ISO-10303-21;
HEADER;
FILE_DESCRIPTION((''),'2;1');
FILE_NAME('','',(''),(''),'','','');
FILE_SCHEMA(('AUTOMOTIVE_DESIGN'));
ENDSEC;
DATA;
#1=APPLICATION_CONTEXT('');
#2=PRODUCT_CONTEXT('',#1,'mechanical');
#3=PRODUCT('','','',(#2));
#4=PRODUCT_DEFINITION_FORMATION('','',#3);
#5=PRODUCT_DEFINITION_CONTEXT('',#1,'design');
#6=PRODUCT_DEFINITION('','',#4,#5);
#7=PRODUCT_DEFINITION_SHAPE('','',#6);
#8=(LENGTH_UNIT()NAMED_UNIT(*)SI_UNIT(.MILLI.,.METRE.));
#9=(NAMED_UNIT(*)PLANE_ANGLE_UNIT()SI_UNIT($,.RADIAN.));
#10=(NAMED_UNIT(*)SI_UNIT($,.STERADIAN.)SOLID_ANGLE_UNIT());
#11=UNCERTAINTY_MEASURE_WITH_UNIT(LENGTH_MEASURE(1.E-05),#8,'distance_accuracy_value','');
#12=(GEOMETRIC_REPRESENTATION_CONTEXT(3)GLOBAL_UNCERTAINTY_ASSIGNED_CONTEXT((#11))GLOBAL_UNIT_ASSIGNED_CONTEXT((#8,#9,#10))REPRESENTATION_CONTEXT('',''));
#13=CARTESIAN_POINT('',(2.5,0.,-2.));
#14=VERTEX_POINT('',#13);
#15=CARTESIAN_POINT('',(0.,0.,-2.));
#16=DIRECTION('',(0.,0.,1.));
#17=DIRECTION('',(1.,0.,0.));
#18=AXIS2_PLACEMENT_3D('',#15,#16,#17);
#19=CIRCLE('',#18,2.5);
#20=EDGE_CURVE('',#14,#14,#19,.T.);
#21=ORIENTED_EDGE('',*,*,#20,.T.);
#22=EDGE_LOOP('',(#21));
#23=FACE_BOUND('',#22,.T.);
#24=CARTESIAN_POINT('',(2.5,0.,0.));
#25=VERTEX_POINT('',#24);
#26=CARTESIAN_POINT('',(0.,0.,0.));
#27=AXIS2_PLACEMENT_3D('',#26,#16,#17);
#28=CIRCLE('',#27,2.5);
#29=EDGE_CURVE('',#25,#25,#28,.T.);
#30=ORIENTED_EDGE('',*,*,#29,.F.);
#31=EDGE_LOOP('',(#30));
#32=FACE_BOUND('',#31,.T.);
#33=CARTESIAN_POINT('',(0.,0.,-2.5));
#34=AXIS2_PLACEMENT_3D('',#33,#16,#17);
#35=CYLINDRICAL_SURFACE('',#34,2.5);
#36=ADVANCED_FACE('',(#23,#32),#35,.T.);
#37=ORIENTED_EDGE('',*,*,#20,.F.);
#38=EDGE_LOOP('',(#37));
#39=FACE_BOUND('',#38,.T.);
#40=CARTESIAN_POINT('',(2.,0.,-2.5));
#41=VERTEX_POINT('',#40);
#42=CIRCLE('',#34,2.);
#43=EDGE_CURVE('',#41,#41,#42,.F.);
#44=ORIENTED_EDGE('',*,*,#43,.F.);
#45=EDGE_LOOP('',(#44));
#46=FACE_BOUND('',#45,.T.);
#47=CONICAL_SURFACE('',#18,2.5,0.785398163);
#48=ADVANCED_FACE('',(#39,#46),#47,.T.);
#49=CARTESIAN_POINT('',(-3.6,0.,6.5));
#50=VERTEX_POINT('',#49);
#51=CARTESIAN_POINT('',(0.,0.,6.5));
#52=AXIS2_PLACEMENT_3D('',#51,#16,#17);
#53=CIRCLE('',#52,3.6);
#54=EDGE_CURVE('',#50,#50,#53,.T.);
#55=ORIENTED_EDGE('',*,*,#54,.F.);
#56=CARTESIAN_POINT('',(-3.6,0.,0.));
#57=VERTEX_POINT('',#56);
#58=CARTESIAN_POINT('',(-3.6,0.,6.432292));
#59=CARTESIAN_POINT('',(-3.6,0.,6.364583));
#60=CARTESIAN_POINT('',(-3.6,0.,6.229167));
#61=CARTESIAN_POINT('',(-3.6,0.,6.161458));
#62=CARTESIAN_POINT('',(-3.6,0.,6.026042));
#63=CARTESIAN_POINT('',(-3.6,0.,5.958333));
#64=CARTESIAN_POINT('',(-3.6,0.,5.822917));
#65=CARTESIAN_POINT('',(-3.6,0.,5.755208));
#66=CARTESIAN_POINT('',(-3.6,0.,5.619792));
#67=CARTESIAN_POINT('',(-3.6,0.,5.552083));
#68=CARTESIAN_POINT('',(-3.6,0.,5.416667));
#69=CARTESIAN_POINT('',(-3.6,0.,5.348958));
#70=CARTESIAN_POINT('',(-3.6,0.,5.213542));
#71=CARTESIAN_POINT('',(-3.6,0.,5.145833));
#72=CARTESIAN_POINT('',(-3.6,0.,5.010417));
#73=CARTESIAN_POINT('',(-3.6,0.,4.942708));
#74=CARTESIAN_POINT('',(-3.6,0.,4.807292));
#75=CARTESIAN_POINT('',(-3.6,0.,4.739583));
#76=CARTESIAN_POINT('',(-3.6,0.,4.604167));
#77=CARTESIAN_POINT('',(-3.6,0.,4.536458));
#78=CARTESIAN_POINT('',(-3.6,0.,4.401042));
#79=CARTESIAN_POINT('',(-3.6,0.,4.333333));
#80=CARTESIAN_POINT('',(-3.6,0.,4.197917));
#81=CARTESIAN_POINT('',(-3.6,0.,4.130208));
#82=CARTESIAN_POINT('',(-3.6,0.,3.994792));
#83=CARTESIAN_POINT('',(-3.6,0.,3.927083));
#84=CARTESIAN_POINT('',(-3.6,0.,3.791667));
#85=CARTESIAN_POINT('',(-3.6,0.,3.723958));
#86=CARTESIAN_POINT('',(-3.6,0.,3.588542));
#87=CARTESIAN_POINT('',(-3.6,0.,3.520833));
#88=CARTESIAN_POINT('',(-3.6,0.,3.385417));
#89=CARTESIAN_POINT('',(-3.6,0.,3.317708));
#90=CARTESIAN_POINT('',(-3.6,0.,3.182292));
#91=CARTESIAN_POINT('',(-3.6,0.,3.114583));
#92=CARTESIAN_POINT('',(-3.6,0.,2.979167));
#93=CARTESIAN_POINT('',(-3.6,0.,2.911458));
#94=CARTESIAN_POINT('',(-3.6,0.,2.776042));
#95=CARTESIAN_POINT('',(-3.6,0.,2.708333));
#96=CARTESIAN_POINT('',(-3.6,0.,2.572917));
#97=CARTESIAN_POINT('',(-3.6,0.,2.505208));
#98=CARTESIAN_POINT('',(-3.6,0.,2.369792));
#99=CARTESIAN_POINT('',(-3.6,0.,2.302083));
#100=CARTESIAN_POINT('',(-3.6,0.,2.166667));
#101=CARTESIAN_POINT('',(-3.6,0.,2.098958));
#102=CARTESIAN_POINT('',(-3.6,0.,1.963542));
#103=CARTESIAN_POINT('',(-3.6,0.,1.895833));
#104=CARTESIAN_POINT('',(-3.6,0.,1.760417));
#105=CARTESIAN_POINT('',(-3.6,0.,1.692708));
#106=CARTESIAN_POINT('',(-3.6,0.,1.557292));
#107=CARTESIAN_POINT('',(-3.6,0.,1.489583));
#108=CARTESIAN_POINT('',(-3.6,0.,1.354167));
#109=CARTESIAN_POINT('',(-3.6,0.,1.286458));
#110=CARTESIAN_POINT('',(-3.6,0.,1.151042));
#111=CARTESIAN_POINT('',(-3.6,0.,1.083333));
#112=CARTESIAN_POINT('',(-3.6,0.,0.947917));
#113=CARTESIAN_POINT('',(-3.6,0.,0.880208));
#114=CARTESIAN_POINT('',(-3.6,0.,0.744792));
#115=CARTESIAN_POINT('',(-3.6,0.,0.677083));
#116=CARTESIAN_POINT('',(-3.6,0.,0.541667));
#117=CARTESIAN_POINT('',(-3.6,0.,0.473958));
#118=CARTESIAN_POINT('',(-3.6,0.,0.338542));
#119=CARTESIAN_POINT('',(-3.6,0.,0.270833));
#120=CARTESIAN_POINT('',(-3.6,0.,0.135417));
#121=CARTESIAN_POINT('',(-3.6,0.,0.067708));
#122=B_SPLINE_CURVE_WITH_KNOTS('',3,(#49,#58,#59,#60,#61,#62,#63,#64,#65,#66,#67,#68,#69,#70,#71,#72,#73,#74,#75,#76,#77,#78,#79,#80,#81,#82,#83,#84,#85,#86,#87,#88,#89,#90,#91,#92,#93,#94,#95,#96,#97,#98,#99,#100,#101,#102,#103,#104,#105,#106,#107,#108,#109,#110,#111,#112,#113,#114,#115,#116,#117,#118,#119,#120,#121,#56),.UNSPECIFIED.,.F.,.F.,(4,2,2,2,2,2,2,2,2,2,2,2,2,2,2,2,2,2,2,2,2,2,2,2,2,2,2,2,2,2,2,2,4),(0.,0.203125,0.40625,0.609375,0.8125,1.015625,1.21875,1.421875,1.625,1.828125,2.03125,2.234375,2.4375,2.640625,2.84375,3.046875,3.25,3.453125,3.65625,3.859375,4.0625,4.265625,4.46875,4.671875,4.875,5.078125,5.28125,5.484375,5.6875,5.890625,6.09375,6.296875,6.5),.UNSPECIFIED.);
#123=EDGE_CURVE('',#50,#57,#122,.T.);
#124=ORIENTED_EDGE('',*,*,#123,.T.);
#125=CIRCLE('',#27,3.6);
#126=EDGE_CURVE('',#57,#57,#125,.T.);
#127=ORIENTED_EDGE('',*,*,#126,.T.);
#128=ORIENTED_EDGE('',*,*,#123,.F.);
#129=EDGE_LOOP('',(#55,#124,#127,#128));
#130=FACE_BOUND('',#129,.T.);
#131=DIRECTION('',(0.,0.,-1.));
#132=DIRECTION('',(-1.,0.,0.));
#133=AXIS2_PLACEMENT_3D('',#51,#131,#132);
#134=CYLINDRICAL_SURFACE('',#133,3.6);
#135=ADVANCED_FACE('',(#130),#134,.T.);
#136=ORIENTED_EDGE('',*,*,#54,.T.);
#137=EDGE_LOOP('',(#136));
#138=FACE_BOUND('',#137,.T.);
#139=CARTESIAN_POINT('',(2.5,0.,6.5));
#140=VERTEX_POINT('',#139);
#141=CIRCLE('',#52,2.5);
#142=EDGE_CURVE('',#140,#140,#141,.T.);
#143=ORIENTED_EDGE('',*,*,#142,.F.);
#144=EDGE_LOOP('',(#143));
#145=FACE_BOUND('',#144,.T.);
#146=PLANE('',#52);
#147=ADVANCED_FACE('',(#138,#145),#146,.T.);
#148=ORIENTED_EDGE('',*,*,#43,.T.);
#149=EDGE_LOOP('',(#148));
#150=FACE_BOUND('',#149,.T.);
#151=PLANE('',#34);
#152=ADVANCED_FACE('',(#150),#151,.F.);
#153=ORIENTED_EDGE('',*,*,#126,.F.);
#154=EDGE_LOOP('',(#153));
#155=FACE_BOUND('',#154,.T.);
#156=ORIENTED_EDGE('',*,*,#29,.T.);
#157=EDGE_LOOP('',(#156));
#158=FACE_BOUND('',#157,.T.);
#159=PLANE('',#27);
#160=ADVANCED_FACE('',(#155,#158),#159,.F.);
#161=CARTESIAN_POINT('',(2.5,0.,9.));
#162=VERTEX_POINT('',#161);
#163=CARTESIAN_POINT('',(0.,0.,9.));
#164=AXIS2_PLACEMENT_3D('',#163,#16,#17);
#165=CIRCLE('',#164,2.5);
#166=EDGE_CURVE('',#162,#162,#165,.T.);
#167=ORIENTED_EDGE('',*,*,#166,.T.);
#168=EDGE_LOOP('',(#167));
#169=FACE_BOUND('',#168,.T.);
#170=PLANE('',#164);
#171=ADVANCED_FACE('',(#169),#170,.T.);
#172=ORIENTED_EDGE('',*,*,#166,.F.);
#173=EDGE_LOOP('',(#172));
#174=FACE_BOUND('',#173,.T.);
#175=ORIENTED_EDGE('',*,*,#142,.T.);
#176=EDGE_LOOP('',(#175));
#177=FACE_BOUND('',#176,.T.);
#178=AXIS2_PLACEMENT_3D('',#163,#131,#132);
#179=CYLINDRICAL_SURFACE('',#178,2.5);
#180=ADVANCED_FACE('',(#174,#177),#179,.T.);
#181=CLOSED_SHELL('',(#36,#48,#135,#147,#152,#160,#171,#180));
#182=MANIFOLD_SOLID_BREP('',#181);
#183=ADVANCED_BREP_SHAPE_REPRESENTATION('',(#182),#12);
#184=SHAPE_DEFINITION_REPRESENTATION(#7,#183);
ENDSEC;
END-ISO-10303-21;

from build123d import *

# Parameters (mm, degrees)
SKETCH3_R           = 3.6
BOSS_EXTRUDE1_DEPTH = 6.5
SKETCH4_R           = 2.5
BOSS_EXTRUDE2_DEPTH = 2.5
BOSS_EXTRUDE3_START = 2.5
SKETCH5_R           = 2.5
BOSS_EXTRUDE3_DEPTH = 2.5
CHAMFER1_SIZE       = 0.5


with BuildPart() as part:
    # Sketch3 → Boss-Extrude1 (new body)
    with BuildSketch(Plane.XY):
        with Locations(Location((0, 0, 0), (0, 0, 180))):
            Circle(SKETCH3_R)
    extrude(amount=BOSS_EXTRUDE1_DEPTH)

    # Sketch4 → Boss-Extrude2 (add)
    with BuildSketch(Plane.XY):
        Circle(SKETCH4_R)
    extrude(amount=-BOSS_EXTRUDE2_DEPTH)

    # Sketch5 → Boss-Extrude3 (add)
    with BuildSketch(Plane.XY.offset(6.5).offset(BOSS_EXTRUDE3_START)):
        Circle(SKETCH5_R)
    extrude(amount=-BOSS_EXTRUDE3_DEPTH)

    # Chamfer1
    chamfer1_edges = [part.edges().sort_by_distance(p)[0] for p in [
        (-2.5, 0, -2.5),
    ]]
    chamfer(chamfer1_edges, length=CHAMFER1_SIZE)


solid = part.part
